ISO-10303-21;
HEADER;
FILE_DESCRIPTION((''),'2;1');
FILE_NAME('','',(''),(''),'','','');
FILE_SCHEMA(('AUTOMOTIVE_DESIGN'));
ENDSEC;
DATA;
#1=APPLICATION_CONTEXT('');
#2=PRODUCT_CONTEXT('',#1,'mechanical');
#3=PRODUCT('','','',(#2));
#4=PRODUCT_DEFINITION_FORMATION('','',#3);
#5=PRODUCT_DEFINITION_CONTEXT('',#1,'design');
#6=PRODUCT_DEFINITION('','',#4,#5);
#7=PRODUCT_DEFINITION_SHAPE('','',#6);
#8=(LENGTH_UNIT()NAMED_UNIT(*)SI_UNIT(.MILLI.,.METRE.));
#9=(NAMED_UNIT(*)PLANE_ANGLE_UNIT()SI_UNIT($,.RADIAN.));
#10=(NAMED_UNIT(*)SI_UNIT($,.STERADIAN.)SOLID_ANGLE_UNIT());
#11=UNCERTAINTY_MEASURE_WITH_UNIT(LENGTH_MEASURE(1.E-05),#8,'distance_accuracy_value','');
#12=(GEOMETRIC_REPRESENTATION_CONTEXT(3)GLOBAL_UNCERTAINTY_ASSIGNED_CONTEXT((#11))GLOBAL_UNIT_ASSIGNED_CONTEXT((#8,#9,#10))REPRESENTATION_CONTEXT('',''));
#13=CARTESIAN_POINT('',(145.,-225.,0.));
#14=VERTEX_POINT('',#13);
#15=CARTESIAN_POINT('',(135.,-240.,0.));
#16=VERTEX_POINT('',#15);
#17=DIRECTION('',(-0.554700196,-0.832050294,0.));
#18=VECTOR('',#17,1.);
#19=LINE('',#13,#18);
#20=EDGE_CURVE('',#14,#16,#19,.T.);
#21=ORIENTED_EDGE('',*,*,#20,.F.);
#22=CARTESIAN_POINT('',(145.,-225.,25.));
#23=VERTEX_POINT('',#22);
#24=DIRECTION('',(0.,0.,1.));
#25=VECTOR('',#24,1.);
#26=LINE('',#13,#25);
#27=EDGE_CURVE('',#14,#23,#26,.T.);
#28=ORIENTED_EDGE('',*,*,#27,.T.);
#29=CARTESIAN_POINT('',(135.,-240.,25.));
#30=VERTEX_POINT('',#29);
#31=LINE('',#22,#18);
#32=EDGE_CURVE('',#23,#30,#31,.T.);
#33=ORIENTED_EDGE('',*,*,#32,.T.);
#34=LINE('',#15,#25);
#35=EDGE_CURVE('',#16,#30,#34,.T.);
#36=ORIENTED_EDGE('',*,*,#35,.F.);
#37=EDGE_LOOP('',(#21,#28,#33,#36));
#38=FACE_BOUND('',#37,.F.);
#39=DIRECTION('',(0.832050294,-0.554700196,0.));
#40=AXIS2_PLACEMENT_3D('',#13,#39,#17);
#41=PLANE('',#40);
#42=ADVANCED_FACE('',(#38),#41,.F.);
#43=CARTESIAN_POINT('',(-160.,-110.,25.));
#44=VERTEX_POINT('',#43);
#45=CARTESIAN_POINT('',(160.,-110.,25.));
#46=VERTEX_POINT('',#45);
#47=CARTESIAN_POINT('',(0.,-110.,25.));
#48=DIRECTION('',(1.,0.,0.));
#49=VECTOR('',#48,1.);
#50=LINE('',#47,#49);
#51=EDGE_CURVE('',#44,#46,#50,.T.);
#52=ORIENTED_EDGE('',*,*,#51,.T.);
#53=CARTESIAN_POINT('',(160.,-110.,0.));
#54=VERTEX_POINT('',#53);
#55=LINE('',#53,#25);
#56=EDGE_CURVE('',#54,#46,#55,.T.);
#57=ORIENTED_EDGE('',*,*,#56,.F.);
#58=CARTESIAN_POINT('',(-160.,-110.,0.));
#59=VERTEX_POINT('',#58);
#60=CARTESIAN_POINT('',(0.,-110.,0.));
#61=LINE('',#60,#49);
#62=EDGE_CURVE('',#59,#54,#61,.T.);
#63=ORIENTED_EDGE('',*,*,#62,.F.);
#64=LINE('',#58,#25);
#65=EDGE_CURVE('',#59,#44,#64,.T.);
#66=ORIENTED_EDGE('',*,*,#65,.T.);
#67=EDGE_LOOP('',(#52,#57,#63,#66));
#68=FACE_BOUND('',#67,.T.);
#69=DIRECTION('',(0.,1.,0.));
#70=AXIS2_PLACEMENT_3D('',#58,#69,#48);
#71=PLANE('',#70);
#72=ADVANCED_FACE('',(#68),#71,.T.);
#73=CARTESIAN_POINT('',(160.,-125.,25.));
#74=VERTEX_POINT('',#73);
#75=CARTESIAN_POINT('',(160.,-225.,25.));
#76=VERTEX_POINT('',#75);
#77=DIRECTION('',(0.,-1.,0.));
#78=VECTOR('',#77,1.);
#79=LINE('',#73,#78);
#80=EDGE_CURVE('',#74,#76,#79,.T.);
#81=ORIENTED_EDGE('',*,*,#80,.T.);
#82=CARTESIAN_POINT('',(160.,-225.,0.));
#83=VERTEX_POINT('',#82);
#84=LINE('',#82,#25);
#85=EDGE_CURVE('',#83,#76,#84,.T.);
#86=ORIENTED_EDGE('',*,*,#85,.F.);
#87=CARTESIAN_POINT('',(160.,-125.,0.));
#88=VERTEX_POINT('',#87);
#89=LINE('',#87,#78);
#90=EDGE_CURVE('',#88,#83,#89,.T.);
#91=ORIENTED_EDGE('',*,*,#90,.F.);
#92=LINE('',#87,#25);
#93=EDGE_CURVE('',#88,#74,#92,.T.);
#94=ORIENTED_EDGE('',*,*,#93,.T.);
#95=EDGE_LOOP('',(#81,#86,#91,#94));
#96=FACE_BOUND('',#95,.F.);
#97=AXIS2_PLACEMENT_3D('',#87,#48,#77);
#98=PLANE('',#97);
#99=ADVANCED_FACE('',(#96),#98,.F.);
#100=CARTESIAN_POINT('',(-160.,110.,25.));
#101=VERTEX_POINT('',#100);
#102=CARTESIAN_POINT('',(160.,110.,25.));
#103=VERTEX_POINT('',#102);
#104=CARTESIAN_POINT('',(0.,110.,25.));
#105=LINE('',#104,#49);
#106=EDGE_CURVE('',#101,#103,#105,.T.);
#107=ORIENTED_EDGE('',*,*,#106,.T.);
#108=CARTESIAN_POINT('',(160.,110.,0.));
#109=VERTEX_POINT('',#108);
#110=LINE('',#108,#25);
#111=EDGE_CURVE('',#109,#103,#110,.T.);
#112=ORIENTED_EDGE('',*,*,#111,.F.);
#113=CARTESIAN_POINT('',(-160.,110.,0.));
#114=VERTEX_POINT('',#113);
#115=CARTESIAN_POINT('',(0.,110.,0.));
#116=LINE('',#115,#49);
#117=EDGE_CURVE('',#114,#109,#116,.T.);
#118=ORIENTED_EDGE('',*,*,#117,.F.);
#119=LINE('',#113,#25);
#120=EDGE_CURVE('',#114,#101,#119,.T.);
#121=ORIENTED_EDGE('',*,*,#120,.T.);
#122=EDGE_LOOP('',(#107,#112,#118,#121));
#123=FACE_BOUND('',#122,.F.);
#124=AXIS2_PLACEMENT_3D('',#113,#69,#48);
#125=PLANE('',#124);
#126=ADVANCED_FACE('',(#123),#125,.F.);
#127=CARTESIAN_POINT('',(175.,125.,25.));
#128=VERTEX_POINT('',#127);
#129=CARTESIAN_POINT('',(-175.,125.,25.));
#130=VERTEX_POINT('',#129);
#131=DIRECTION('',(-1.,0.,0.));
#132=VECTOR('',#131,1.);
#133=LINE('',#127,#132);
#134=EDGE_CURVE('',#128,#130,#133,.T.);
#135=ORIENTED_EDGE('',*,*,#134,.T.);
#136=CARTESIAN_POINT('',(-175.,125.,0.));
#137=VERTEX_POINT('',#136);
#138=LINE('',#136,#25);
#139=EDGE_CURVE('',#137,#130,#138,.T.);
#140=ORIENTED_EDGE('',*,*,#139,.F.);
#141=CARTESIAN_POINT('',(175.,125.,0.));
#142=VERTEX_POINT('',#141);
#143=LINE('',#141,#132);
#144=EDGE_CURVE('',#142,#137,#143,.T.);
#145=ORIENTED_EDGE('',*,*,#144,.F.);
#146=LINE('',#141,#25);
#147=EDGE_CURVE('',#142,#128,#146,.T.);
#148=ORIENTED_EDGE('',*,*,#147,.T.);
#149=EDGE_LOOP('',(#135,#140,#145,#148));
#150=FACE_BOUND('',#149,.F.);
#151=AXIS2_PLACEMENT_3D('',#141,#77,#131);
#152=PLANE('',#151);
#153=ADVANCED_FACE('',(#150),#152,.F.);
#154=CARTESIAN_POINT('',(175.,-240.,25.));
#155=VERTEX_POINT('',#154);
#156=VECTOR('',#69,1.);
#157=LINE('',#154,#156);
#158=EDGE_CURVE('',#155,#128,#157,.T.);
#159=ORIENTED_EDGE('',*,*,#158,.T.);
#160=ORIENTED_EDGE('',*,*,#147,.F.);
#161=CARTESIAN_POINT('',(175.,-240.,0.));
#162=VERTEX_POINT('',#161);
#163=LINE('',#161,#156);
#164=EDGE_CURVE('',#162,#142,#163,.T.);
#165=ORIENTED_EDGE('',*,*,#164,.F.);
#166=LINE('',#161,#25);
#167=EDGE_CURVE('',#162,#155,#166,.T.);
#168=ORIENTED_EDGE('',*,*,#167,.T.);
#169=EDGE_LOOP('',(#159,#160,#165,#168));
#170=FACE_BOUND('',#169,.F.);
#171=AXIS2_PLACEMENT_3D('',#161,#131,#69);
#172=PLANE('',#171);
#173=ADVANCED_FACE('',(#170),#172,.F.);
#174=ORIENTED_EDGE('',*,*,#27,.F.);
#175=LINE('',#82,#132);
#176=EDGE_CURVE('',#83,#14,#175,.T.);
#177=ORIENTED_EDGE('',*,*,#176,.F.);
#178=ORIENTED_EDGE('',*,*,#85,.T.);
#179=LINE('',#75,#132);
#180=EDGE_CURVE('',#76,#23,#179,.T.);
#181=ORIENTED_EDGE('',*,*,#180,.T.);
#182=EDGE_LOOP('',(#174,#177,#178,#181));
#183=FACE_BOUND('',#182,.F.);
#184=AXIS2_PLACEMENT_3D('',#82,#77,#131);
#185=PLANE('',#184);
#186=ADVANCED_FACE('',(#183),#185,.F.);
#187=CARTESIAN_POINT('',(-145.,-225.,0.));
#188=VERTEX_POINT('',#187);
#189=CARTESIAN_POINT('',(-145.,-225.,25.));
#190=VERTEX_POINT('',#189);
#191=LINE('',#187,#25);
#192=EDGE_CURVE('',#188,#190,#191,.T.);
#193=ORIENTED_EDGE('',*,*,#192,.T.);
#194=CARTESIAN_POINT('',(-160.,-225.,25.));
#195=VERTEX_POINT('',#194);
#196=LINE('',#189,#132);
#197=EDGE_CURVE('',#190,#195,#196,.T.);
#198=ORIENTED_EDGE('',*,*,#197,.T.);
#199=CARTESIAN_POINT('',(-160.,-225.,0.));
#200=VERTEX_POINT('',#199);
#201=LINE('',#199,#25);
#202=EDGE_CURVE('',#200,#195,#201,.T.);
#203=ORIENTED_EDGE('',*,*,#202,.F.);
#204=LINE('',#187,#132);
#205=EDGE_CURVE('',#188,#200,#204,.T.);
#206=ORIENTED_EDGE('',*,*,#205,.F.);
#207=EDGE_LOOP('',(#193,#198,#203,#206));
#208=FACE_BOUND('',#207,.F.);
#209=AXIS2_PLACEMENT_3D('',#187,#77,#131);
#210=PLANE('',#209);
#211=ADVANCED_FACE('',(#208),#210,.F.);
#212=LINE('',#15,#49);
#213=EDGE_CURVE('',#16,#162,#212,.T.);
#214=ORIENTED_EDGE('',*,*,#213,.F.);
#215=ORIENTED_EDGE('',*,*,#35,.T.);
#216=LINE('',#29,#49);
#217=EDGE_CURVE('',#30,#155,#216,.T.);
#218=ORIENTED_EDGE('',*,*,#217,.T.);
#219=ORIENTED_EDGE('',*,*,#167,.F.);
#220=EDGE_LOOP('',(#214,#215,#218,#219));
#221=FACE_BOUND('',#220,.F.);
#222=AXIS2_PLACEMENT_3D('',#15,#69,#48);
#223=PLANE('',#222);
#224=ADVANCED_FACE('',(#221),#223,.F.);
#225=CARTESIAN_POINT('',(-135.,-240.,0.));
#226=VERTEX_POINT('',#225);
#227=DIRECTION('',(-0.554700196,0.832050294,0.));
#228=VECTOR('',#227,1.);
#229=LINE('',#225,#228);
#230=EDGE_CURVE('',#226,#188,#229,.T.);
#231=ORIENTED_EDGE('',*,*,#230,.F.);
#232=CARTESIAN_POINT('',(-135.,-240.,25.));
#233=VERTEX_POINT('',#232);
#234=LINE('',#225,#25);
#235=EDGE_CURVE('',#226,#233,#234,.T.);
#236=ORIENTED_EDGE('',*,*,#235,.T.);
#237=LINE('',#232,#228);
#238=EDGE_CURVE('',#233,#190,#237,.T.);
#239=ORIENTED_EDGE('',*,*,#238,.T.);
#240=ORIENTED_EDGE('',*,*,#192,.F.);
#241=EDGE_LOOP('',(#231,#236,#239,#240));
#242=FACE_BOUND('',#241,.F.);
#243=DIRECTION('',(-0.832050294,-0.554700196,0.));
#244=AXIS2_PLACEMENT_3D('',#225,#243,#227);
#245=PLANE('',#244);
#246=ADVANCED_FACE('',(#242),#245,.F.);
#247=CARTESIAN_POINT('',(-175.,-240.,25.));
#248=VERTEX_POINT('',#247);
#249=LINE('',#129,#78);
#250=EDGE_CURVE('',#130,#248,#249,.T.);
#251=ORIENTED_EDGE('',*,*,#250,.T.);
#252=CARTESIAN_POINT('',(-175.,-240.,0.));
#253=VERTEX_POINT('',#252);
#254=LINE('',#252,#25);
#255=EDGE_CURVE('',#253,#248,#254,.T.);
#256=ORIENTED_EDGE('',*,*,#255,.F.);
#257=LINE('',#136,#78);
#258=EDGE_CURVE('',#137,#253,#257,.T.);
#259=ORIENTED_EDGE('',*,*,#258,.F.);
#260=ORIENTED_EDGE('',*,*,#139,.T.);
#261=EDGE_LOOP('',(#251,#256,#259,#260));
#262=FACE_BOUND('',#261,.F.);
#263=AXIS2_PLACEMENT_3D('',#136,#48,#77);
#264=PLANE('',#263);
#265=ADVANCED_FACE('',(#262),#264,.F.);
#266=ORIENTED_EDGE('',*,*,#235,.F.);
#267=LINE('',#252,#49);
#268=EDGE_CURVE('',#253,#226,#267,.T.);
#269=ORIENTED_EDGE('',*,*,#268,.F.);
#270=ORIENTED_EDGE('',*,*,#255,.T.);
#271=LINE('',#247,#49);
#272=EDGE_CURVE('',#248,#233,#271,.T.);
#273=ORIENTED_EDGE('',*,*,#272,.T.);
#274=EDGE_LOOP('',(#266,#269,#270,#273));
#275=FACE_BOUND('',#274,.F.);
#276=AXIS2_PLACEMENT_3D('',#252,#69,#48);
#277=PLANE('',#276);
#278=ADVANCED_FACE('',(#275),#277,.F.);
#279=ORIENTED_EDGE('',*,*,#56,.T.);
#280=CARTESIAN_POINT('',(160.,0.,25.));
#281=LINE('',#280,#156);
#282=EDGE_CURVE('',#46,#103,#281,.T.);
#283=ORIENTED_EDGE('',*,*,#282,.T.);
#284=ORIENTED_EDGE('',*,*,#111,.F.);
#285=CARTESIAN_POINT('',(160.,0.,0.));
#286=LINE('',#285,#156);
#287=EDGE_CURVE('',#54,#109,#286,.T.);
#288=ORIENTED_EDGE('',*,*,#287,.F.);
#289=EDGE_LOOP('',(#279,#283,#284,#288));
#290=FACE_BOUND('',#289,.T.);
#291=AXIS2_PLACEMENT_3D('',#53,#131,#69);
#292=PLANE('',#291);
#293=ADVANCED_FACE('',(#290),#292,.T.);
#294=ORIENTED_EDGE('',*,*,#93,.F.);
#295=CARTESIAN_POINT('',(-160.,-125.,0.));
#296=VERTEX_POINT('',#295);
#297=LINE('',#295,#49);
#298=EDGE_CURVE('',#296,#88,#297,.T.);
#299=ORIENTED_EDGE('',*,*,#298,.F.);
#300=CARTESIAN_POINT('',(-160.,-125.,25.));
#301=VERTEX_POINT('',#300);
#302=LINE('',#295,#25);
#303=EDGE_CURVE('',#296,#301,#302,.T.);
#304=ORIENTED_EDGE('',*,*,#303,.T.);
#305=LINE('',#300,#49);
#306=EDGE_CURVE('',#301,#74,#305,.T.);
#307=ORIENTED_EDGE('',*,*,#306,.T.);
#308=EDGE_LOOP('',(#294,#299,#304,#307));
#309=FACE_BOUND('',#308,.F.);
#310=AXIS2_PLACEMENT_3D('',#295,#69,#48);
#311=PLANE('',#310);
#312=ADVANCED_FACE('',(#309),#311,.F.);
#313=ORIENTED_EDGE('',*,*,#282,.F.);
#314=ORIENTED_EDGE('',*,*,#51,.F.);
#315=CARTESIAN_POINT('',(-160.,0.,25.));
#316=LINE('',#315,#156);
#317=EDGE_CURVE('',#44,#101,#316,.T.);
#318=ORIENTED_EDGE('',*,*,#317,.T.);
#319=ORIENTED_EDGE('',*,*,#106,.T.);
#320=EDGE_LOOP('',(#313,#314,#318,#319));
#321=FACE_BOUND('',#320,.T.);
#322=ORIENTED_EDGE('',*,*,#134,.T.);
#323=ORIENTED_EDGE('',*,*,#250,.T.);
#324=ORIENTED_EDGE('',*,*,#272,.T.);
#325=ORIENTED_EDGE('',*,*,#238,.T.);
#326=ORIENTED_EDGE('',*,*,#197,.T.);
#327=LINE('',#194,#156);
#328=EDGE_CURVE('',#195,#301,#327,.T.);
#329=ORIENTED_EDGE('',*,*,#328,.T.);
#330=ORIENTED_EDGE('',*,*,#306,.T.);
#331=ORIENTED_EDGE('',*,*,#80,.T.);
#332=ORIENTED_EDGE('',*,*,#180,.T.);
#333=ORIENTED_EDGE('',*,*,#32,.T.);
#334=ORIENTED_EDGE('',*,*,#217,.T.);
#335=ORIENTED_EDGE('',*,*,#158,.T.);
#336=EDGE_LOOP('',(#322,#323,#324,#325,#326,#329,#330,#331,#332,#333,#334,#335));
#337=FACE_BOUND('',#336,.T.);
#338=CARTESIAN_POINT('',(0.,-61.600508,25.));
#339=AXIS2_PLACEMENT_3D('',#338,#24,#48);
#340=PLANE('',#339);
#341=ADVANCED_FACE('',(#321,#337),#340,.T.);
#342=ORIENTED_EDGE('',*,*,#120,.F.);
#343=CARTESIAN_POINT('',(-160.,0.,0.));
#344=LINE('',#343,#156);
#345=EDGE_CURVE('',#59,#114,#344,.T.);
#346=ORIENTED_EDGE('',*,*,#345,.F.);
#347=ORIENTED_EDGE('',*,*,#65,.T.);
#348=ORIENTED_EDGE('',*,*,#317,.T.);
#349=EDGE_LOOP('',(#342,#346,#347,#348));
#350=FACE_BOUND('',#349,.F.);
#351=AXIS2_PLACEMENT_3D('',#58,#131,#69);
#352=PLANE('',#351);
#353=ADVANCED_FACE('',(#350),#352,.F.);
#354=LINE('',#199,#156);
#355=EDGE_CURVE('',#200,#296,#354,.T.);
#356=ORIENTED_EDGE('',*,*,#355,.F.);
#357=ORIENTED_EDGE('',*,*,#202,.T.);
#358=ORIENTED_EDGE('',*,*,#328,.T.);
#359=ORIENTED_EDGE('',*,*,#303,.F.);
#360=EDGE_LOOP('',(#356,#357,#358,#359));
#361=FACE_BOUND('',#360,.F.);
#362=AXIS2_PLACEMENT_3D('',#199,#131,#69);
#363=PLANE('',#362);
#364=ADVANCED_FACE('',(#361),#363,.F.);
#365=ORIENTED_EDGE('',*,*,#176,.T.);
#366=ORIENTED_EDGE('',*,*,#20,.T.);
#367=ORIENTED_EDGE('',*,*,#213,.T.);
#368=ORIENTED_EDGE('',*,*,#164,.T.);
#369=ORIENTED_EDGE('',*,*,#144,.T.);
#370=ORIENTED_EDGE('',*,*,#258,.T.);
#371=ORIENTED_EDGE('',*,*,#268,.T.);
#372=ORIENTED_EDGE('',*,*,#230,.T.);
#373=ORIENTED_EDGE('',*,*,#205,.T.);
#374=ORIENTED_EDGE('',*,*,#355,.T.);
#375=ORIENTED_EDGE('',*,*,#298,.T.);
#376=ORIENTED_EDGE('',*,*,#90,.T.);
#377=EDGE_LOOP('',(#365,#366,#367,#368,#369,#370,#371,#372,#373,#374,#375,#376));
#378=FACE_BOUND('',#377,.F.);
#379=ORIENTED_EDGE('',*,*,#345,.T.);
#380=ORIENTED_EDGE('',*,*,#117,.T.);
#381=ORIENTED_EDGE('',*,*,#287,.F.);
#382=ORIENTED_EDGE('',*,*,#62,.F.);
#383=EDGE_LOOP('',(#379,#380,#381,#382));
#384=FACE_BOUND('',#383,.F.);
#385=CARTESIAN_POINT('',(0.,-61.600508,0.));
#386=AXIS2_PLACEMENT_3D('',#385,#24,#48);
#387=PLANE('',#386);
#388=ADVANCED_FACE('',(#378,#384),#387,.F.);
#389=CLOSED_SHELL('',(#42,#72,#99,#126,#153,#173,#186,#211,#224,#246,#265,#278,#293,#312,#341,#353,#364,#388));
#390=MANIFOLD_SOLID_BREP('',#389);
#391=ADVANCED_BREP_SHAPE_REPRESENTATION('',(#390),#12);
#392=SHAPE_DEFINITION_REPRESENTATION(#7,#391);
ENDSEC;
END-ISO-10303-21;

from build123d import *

# Parameters (mm, degrees)
F0_W     = 320
F0_H     = 220
F1_DEPTH = 25


with BuildPart() as f1:
    # F0 (on Top) → F1 (new body)
    with BuildSketch(Plane.XY):
        Polygon((-145, -225), (-160, -225), (-160, -125), (160, -125), (160, -225), (145, -225), (135, -240), (175, -240), (175, 125), (-175, 125), (-175, -240), (-135, -240), align=None)
        Rectangle(F0_W, F0_H, mode=Mode.SUBTRACT)
    extrude(amount=F1_DEPTH)


solid = f1.part
